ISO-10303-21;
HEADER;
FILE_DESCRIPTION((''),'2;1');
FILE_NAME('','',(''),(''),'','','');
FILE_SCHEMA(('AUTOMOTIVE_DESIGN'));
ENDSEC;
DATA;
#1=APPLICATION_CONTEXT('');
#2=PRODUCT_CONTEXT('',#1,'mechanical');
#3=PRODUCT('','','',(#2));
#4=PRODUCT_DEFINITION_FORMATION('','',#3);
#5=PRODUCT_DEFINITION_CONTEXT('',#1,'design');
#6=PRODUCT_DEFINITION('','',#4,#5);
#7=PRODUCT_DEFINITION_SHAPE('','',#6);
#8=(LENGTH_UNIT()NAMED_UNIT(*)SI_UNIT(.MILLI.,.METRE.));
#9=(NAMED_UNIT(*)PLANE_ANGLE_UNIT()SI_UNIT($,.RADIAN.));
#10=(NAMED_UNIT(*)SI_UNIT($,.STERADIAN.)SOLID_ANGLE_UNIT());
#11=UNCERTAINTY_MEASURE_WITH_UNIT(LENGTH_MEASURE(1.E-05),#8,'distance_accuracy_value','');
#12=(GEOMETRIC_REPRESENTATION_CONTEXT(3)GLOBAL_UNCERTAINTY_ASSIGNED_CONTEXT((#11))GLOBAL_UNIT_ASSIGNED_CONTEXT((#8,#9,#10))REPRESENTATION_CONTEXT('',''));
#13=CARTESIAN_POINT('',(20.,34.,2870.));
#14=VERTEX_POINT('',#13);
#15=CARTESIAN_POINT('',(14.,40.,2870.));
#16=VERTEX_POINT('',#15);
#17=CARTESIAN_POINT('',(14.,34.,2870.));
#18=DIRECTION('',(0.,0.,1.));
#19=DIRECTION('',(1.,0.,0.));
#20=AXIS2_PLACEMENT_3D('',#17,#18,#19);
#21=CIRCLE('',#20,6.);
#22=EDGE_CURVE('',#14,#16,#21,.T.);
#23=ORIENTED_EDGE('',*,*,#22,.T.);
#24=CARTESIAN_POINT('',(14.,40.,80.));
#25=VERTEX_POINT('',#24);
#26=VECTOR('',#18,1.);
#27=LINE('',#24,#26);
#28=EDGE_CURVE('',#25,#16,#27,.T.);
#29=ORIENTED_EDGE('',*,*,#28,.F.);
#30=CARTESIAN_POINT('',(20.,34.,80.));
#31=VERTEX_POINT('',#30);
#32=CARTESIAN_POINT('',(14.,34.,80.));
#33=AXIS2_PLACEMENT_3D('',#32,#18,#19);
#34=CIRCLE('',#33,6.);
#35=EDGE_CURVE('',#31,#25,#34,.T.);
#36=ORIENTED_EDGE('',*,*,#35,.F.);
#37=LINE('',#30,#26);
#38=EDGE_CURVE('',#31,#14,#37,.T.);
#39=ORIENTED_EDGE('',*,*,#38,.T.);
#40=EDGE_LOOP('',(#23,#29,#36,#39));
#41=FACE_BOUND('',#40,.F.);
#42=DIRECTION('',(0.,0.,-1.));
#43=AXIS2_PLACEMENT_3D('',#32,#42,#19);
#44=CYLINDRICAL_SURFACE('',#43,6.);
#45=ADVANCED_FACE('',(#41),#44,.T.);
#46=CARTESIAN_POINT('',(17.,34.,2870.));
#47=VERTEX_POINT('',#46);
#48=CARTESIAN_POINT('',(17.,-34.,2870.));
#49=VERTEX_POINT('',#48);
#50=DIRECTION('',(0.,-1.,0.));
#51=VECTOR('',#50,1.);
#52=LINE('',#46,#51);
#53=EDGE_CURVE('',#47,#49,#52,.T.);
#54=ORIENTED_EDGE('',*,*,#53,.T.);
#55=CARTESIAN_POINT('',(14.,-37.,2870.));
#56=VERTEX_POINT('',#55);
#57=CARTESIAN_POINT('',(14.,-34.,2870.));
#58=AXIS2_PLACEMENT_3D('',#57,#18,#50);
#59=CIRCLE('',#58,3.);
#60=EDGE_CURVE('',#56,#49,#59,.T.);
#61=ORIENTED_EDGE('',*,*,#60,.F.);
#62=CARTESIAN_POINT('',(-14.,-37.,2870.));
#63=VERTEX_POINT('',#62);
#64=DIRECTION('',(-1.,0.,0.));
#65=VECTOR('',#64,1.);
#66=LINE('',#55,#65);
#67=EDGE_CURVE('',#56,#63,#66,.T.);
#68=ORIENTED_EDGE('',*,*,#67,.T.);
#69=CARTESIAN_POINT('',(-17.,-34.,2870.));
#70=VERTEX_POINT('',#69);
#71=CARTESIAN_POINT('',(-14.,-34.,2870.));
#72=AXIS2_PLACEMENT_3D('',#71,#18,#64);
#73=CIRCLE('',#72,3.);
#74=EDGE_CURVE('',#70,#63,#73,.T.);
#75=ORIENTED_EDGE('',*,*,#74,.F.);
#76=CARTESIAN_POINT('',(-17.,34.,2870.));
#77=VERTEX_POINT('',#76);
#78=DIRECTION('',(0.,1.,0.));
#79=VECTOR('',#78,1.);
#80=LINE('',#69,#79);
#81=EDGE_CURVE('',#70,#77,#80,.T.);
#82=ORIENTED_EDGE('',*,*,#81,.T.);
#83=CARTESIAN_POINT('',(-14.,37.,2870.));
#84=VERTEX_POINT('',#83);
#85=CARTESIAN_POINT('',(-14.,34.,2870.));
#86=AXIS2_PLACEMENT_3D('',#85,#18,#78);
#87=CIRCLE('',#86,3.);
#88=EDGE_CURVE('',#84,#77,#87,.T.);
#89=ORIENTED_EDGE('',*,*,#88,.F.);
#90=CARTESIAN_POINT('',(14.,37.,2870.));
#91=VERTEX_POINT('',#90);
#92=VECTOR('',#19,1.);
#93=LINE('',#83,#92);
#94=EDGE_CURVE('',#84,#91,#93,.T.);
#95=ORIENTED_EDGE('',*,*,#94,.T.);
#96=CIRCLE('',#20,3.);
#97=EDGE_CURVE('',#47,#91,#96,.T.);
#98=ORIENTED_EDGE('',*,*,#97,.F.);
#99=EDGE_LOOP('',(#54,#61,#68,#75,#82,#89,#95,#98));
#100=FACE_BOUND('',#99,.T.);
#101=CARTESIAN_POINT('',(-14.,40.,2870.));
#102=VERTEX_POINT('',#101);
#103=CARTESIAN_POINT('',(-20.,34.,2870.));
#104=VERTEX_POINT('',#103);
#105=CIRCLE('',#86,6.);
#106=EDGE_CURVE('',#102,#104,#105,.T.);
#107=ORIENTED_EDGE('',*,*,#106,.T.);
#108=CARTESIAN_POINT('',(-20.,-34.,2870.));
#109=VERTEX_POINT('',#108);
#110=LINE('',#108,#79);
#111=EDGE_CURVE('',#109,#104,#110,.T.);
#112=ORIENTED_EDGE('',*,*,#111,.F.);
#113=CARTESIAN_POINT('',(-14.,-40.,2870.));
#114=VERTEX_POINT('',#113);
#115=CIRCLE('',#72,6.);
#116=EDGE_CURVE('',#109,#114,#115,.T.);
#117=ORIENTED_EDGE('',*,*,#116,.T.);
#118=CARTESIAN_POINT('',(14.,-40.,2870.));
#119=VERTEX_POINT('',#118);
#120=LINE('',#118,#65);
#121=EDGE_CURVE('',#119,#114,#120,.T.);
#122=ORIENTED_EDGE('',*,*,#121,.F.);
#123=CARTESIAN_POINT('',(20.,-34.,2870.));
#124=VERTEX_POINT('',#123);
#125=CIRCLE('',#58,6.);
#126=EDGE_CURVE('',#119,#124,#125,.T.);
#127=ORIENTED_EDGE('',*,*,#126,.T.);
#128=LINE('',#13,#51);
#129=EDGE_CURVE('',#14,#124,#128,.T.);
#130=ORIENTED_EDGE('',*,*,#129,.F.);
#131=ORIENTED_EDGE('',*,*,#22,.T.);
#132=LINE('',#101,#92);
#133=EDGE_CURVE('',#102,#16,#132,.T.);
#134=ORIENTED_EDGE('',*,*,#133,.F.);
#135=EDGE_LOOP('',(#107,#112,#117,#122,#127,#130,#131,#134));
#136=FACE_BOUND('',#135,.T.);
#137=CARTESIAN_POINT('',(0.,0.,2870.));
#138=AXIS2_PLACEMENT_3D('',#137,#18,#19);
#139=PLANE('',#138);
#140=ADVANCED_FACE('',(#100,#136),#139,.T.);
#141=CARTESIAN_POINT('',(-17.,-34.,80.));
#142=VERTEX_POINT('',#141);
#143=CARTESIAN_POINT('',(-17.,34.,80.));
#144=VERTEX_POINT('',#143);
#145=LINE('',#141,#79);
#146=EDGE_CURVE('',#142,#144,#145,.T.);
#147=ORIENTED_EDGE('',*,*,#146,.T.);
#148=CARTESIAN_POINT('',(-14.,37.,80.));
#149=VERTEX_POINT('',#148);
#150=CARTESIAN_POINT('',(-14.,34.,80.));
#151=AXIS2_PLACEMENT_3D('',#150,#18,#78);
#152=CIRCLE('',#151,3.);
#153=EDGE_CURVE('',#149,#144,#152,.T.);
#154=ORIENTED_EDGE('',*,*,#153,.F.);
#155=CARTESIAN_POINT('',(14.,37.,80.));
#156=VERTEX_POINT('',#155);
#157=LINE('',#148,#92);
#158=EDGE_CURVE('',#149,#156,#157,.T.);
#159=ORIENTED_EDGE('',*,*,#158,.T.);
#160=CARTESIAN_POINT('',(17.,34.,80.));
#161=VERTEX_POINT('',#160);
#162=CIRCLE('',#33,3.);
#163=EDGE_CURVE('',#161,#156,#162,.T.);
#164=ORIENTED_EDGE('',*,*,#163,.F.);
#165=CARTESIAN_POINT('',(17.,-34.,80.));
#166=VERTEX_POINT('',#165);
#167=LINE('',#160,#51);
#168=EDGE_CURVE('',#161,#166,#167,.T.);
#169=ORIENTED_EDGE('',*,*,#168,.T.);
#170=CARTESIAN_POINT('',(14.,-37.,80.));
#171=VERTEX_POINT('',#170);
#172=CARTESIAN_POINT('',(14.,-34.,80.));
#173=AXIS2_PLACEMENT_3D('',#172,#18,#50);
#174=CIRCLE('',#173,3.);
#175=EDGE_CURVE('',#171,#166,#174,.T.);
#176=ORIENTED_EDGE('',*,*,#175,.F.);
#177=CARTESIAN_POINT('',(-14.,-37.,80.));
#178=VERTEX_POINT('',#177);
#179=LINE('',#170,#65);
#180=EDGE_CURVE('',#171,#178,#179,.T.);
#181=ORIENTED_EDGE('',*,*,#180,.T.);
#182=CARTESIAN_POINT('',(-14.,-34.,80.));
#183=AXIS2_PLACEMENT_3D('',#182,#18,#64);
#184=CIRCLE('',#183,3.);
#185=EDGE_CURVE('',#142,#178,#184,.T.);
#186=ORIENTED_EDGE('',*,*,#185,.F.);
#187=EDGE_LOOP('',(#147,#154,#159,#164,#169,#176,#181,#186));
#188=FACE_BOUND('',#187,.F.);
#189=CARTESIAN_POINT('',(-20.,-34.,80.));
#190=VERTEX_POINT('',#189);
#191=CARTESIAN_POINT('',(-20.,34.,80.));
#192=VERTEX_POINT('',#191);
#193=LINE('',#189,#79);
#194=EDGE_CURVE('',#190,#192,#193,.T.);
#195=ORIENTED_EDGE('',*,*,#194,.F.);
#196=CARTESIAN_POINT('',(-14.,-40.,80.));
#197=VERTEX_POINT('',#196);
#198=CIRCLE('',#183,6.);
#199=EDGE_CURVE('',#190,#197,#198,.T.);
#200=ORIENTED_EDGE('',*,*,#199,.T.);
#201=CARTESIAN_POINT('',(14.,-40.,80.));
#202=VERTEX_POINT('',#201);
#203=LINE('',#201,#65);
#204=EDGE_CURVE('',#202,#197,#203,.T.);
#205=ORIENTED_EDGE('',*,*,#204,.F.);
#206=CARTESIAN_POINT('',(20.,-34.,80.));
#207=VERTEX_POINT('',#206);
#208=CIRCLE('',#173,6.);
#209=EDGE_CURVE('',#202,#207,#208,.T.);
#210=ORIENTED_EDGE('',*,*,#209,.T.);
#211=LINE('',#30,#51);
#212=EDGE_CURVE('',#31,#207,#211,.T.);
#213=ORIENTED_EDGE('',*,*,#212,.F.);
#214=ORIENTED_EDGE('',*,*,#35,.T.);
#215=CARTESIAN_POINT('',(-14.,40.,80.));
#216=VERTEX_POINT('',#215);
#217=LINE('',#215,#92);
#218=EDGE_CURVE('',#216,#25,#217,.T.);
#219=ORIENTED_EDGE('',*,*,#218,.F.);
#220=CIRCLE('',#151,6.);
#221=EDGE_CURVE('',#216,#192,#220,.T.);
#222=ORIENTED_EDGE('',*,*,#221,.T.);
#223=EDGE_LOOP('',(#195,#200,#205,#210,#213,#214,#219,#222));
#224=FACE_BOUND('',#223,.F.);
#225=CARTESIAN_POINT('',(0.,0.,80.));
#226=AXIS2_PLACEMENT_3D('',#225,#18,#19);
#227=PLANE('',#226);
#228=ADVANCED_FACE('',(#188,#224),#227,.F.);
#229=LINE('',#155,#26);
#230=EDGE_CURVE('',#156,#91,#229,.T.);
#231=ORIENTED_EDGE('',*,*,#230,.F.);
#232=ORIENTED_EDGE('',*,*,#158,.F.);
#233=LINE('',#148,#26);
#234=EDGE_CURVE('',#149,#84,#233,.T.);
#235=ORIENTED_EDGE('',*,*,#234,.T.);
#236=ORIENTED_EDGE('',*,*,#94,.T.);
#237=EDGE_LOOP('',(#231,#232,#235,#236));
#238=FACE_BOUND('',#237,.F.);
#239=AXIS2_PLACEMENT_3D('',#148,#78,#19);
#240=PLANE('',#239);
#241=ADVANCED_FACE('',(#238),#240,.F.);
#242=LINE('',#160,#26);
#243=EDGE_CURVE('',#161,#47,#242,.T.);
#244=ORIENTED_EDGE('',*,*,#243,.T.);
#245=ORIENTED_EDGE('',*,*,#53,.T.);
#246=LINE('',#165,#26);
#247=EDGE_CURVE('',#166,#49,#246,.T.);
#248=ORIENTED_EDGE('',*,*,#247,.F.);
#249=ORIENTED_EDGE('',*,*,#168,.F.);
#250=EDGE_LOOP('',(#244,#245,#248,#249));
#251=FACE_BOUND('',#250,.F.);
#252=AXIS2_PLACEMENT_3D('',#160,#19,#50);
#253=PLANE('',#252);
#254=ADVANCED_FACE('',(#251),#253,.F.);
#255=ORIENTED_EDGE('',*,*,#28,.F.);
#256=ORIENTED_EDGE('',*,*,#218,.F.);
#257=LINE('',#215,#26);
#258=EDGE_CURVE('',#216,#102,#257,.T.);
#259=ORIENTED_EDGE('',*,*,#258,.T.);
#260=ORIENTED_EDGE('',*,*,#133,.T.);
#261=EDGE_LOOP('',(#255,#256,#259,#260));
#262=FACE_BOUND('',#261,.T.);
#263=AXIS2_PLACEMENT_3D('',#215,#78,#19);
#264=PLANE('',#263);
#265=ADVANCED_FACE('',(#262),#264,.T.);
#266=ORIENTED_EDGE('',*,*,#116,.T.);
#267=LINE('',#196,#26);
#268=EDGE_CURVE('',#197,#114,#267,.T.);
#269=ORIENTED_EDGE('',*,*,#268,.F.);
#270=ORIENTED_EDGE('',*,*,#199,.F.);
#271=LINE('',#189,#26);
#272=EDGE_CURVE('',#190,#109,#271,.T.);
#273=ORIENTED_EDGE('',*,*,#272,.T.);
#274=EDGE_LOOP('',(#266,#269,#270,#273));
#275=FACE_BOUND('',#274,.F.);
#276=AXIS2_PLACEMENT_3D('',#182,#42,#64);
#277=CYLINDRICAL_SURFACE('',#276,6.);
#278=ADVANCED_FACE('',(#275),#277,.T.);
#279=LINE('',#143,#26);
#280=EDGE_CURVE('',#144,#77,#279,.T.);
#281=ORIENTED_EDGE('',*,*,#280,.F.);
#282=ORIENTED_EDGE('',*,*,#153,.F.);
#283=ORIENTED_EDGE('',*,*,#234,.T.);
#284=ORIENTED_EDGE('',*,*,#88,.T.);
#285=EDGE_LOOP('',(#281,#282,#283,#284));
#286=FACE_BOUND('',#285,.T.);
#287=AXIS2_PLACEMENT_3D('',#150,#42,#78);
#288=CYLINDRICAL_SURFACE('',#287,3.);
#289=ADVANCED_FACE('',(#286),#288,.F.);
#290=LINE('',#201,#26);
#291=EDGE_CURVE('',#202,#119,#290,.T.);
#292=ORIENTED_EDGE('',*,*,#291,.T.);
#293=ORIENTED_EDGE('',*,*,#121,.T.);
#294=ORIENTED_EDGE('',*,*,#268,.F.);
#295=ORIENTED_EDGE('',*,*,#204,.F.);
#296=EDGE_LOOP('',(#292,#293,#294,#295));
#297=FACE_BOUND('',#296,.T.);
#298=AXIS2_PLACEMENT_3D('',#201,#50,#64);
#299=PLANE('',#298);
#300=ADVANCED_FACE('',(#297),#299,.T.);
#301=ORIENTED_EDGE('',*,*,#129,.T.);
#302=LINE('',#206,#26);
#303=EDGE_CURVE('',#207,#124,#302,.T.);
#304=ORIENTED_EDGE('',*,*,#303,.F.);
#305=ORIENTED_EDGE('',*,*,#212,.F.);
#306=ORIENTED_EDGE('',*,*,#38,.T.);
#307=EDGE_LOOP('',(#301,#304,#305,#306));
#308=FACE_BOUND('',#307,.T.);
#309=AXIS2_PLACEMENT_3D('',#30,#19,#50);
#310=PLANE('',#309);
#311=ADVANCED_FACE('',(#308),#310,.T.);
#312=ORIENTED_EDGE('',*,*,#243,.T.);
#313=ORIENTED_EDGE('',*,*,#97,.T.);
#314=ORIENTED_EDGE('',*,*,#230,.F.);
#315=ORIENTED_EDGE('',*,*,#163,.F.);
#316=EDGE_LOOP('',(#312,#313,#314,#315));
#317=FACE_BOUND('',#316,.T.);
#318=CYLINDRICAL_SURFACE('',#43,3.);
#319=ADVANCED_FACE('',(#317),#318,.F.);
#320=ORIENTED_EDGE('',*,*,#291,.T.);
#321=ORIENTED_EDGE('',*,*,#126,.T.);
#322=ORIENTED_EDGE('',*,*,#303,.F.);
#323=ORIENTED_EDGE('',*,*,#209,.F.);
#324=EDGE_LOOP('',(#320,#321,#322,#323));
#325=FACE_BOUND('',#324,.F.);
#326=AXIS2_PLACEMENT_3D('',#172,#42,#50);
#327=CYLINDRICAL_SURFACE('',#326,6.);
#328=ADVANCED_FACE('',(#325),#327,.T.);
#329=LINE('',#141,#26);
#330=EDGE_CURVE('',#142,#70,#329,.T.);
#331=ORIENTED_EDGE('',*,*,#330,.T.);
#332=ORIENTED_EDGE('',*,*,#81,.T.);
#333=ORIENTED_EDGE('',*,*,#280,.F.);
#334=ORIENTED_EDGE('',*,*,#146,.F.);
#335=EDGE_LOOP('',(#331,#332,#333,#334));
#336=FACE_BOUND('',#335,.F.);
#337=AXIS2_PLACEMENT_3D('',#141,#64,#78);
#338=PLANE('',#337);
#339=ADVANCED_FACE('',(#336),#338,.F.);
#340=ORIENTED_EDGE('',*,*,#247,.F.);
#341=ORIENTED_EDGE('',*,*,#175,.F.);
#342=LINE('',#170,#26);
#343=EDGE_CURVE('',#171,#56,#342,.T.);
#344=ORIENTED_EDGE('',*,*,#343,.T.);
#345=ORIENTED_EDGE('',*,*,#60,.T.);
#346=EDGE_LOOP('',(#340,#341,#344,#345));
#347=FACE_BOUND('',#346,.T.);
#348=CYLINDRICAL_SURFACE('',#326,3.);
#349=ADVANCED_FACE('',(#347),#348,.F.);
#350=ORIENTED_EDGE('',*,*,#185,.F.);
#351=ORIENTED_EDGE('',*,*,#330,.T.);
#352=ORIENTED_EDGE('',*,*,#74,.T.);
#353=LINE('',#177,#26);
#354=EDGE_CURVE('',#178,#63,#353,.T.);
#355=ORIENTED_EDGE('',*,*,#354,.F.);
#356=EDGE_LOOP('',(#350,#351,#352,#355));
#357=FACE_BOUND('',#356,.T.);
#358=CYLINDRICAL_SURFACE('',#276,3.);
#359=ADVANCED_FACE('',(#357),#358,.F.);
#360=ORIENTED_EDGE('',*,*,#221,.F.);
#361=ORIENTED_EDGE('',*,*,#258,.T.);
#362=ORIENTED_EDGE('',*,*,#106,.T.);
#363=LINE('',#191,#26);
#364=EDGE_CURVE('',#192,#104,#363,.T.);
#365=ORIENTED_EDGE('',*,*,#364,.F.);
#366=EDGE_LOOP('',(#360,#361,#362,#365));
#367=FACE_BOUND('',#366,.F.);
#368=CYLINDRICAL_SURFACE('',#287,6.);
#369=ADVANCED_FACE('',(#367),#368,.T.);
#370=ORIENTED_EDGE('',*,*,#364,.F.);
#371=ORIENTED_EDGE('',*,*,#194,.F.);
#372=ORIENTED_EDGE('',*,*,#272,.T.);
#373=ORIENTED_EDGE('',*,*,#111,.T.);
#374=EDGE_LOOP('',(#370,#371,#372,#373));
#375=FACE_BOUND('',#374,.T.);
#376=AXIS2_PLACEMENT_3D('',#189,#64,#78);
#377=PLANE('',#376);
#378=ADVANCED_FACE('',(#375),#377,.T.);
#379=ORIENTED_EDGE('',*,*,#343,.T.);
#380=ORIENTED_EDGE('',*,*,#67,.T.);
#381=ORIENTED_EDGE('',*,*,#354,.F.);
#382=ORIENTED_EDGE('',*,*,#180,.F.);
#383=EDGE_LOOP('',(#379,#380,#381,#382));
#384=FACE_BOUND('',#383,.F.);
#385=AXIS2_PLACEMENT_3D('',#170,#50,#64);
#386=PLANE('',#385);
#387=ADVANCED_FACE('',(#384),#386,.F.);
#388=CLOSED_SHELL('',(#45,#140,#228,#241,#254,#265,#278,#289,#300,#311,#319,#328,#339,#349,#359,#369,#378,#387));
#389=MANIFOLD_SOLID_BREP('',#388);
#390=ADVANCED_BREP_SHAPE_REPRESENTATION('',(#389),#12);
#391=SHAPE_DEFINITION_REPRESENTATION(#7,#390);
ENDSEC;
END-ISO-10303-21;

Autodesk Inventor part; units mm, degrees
ref_plane "YZ Plane" through (0, 0, 0) normal (1, 0, 0) x (0, 1, 0)
ref_plane "Start Plane" through (0, 0, 80) normal (0, 0, 1) x (1, 0, 0)
ref_plane "End Plane" through (0, 0, 2870) normal (0, 0, 1) x (1, 0, 0)
sketch "Sketch" plane through (0, 0, 0) normal (0, 0, 1) x (1, 0, 0)
  line L0 (-20, -34) -> (-20, 34)
  line L1 (-14, 40) -> (14, 40)
  line L2 (20, 34) -> (20, -34)
  line L3 (14, -40) -> (-14, -40)
  arc A0 (-20, -34) -> (-14, -40) centre (-14, -34) ccw
  arc A1 (20, 34) -> (14, 40) centre (14, 34) ccw
  arc A2 (-14, 40) -> (-20, 34) centre (-14, 34) ccw
  arc A3 (14, -40) -> (20, -34) centre (14, -34) ccw
  arc A4 (-14, 37) -> (-17, 34) centre (-14, 34) ccw
  line L4 (-14, 37) -> (14, 37)
  arc A5 (17, 34) -> (14, 37) centre (14, 34) ccw
  line L5 (17, 34) -> (17, -34)
  arc A6 (14, -37) -> (17, -34) centre (14, -34) ccw
  line L6 (14, -37) -> (-14, -37)
  arc A7 (-17, -34) -> (-14, -37) centre (-14, -34) ccw
  line L7 (-17, -34) -> (-17, 34)
  line L8 (0, 57.7397) -> (0, -57.7397) construction
  line L9 (-29.7397, 0) -> (29.7397, 0) construction
  dimension "d7" = 6
  dimension "d9" = 40
  dimension "d11" = 80
  dimension "d12" = 3
  dimension "d15" = 20
  dimension "d16" = 40
extrude "Body" add sketch "Sketch" along normal up to surface (2790 mm away) from surface at 80
sketch "Sketch3" plane through (0, 0, 0) normal (0, 0, 1) x (1, 0, 0)
  line L0 (0, 0) -> (10, 0)
ref_plane "Work Plane3" through (0, 0, 0) normal (0, -1, 0) x (1, 0, 0)
sketch "Sketch4" plane through (0, 0, 0) normal (0, -1, 0) x (1, 0, 0)
  line L0 (-2, 80) -> (12, 80) projected
  line L1 (-2, 2870) -> (12, 2870) projected
  dimension "d18" = 2790
equation "\"d7\" = G_IR"
equation "\"d9\" = G_W"
equation "\"d11\" = G_H"
equation "\"d12\" = G_T"
equation "\"d15\" = 0.5 * d9"
equation "\"d16\" = 0.5 * d11"
equation "\"d3\" = G_L"
equation "\"G_W\" = 40"
equation "\"G_H\" = 80"
equation "\"G_T\" = 3"
equation "\"G_IR\" = 6"
equation "\"G_L\" = d18"
equation "\"G_OFFSET_END\" = 0"
properties part number "ISO 10799-2 - 80x40x3 - 2790" material "Steel, Mild"
